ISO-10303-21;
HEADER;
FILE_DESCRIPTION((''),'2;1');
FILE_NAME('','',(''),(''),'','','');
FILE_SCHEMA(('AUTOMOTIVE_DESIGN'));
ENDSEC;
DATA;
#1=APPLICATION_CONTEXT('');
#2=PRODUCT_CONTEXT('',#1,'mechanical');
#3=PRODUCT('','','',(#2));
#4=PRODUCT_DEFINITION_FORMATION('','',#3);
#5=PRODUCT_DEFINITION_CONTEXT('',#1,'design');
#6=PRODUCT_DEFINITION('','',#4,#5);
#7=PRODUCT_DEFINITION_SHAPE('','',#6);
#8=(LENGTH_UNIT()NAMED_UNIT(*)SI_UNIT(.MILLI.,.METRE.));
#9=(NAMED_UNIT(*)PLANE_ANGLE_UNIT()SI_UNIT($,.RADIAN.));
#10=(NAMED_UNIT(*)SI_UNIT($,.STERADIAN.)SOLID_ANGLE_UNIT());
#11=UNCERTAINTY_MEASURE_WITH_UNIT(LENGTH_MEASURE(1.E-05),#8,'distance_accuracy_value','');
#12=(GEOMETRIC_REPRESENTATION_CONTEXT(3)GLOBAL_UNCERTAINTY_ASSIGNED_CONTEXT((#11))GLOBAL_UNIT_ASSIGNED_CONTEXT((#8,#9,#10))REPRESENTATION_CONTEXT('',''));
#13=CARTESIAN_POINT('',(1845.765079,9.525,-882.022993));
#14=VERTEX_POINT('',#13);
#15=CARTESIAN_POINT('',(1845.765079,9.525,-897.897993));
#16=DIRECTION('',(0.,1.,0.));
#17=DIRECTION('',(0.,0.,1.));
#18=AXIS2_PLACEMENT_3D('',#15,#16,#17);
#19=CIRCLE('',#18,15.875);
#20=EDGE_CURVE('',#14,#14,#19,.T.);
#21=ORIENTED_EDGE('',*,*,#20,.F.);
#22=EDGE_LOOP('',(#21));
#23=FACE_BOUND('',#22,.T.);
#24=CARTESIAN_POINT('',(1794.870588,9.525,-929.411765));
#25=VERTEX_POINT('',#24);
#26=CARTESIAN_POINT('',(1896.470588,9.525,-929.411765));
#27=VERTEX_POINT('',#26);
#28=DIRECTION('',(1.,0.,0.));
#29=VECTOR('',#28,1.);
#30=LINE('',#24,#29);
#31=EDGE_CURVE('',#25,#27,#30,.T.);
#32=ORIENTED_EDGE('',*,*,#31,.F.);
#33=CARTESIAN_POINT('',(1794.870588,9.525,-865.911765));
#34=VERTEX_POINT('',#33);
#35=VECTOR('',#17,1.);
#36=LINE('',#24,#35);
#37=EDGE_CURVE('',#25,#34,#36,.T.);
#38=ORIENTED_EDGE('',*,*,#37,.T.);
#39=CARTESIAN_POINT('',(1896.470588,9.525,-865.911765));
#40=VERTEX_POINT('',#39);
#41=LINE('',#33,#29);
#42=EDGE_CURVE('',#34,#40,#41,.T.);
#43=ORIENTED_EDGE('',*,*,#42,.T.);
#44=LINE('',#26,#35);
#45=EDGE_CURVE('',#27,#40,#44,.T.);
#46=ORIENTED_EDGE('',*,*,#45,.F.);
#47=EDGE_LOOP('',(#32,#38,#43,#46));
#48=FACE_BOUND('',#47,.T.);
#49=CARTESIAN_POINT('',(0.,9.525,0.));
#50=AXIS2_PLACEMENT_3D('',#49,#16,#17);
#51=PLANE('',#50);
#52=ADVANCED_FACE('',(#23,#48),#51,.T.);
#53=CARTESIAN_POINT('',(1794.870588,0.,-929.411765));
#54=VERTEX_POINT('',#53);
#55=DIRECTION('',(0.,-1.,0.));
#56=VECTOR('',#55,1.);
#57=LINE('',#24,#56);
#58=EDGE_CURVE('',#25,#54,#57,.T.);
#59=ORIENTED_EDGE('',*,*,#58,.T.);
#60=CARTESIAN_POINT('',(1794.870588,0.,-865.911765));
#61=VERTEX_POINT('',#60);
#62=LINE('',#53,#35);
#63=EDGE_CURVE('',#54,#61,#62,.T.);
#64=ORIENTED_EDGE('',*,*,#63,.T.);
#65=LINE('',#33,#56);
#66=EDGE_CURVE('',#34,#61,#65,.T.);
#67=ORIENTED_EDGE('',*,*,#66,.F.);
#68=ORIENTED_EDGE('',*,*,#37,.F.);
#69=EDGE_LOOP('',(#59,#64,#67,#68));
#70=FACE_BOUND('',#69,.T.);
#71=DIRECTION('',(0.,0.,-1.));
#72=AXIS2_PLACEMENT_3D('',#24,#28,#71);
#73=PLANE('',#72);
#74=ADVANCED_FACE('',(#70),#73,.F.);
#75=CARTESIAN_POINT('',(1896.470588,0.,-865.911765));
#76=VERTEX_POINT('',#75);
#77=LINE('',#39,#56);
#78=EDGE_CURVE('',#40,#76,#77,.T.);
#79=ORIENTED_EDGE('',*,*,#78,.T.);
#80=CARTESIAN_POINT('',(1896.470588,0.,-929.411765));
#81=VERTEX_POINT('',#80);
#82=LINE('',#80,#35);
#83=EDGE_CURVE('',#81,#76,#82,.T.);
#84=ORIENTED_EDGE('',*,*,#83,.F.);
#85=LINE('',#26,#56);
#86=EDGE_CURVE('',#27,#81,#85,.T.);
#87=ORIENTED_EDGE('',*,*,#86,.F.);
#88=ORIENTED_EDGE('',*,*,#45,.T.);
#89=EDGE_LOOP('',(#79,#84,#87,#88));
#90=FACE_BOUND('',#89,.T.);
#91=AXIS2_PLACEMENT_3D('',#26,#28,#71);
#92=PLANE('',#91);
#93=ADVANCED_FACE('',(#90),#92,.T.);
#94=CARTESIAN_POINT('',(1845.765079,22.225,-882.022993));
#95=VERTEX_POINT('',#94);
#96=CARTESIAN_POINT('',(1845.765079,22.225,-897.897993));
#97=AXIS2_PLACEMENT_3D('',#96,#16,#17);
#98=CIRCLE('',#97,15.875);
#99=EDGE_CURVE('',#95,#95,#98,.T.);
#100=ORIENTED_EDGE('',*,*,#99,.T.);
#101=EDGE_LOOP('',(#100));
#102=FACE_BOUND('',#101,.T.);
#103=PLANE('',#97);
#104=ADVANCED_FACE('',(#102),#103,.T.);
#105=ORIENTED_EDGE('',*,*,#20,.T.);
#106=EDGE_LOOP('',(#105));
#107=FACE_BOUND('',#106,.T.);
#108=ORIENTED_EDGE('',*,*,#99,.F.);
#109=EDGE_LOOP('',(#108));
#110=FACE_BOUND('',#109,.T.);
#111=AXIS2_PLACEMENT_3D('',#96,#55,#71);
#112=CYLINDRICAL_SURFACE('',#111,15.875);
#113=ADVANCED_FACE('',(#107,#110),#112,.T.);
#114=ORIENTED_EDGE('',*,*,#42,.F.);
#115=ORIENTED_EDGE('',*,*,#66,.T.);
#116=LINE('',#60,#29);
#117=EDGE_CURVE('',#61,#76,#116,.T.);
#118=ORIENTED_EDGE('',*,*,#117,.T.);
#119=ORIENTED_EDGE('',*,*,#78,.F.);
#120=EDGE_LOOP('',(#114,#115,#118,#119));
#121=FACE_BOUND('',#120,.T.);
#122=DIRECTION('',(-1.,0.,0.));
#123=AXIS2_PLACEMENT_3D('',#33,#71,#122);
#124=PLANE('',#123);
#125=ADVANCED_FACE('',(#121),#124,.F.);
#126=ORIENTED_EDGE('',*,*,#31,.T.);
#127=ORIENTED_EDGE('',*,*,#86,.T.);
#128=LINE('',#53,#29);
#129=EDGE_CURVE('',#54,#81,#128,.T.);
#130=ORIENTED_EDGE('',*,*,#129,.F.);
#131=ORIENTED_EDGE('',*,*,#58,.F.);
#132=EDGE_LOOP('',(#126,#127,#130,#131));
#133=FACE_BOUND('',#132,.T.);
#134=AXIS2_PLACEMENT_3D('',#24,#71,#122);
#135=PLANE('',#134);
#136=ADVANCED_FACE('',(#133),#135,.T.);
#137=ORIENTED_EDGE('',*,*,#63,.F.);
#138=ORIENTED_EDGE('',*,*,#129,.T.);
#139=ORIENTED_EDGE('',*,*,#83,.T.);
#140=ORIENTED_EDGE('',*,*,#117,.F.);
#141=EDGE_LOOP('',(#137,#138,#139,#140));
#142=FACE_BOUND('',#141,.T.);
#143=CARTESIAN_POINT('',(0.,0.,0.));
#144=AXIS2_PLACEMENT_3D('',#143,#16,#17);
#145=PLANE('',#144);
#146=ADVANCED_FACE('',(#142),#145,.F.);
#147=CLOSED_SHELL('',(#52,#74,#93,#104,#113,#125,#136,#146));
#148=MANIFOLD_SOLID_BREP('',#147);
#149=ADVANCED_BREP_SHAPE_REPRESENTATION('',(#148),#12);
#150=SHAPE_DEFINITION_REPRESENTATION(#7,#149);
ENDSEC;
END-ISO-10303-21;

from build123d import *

# Parameters (mm, degrees)
SKETCH1_W   = 101.6
SKETCH1_H   = 63.5
PLATE_DEPTH = 9.525
SKETCH2_R   = 15.875
BOSS_DEPTH  = 12.7


with BuildPart() as part:
    # Sketch1 → Plate (new body)
    with BuildSketch(Plane(origin=(0, 0, 0), x_dir=(1, 0, 0), z_dir=(0, 1, 0))):
        with Locations((1845.670588235, 897.661764706)):
            Rectangle(SKETCH1_W, SKETCH1_H)
    extrude(amount=PLATE_DEPTH)

    # Sketch2 → Boss (add)
    with BuildSketch(Plane(origin=(0, 9.525, 0), x_dir=(1, 0, 0), z_dir=(0, 1, 0))):
        with Locations(Location((1845.765079399, 897.897992616, 0), (0, 0, 270))):
            Circle(SKETCH2_R)
    extrude(amount=BOSS_DEPTH)


solid = part.part
